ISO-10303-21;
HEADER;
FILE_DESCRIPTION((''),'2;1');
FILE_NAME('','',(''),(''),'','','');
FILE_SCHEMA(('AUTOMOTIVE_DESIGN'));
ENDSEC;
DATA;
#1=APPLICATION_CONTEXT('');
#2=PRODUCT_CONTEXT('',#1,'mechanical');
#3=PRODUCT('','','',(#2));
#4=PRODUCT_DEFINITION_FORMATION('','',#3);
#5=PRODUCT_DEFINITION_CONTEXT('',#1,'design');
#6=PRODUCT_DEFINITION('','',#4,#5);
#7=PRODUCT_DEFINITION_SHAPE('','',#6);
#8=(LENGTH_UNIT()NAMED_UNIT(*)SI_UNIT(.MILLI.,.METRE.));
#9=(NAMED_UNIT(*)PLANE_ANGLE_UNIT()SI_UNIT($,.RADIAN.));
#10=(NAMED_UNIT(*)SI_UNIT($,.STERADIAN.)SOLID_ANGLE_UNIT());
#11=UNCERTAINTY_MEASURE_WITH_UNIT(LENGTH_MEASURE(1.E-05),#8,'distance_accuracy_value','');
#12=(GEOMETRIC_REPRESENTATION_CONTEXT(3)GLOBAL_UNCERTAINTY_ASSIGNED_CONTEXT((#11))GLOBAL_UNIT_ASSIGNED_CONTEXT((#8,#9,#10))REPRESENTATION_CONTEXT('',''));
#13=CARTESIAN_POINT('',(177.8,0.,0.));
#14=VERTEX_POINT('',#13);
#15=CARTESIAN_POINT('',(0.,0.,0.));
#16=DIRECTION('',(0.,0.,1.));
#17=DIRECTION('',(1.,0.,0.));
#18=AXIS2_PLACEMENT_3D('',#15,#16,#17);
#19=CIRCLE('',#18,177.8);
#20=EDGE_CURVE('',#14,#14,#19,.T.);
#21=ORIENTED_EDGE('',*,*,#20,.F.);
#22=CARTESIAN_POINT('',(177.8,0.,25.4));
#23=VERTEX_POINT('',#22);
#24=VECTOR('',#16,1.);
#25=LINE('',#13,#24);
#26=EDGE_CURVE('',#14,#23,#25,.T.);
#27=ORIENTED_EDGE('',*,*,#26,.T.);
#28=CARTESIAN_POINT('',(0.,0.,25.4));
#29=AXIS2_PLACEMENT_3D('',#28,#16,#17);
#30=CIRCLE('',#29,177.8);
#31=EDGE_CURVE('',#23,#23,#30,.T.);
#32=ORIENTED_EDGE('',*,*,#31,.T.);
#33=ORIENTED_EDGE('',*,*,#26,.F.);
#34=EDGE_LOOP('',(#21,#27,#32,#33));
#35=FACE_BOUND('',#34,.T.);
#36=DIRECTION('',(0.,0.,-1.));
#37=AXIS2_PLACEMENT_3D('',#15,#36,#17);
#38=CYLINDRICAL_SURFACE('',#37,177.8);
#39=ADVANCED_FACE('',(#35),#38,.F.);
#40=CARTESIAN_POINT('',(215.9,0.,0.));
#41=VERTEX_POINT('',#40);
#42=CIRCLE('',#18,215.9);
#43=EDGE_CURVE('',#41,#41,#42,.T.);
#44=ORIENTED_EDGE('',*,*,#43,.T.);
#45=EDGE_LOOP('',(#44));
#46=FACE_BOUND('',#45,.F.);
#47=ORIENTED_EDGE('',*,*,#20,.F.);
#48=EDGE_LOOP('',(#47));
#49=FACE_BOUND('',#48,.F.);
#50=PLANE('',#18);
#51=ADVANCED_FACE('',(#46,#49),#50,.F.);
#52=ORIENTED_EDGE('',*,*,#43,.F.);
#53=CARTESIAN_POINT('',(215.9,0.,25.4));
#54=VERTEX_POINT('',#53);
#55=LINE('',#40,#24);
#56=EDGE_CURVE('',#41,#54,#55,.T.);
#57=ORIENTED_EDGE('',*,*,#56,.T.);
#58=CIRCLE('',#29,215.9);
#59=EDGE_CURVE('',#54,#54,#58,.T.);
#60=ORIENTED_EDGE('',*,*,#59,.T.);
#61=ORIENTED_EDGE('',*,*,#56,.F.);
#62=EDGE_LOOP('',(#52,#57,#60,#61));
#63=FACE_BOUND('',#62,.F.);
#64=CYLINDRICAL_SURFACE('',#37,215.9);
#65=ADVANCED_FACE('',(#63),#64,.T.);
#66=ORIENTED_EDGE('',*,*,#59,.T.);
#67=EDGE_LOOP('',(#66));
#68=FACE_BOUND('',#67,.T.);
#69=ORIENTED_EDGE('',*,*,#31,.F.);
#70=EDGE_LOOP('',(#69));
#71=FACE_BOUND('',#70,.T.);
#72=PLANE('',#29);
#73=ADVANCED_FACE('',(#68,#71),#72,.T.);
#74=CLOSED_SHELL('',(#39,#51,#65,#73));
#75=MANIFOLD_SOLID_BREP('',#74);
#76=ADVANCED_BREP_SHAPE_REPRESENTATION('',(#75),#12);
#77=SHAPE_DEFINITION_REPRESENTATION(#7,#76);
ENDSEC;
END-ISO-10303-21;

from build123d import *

# Parameters (mm, degrees)
F0_R     = 215.9
F0_R_2   = 177.8
F1_DEPTH = 25.4
F2_R     = 5.08
F3_DEPTH = 38.1


with BuildPart() as f1:
    # F0 (on Top) → F1 (new body)
    with BuildSketch(Plane.XY):
        Circle(F0_R)
        Circle(F0_R_2, mode=Mode.SUBTRACT)
    extrude(amount=F1_DEPTH)

    # F2 (on face) → F3 (cut)
    with BuildSketch(Plane.XY.offset(25.4)):
        with Locations((29.21, 50.593204)):
            Circle(F2_R)
        with Locations((-29.21, 50.593204)):
            Circle(F2_R)
        with Locations((-58.42, 0)):
            Circle(F2_R)
        with Locations((-29.21, -50.593204)):
            Circle(F2_R)
        with Locations((29.21, -50.593204)):
            Circle(F2_R)
        with Locations((58.42, 0)):
            Circle(F2_R)
    extrude(amount=-F3_DEPTH, mode=Mode.SUBTRACT)


solid = f1.part
